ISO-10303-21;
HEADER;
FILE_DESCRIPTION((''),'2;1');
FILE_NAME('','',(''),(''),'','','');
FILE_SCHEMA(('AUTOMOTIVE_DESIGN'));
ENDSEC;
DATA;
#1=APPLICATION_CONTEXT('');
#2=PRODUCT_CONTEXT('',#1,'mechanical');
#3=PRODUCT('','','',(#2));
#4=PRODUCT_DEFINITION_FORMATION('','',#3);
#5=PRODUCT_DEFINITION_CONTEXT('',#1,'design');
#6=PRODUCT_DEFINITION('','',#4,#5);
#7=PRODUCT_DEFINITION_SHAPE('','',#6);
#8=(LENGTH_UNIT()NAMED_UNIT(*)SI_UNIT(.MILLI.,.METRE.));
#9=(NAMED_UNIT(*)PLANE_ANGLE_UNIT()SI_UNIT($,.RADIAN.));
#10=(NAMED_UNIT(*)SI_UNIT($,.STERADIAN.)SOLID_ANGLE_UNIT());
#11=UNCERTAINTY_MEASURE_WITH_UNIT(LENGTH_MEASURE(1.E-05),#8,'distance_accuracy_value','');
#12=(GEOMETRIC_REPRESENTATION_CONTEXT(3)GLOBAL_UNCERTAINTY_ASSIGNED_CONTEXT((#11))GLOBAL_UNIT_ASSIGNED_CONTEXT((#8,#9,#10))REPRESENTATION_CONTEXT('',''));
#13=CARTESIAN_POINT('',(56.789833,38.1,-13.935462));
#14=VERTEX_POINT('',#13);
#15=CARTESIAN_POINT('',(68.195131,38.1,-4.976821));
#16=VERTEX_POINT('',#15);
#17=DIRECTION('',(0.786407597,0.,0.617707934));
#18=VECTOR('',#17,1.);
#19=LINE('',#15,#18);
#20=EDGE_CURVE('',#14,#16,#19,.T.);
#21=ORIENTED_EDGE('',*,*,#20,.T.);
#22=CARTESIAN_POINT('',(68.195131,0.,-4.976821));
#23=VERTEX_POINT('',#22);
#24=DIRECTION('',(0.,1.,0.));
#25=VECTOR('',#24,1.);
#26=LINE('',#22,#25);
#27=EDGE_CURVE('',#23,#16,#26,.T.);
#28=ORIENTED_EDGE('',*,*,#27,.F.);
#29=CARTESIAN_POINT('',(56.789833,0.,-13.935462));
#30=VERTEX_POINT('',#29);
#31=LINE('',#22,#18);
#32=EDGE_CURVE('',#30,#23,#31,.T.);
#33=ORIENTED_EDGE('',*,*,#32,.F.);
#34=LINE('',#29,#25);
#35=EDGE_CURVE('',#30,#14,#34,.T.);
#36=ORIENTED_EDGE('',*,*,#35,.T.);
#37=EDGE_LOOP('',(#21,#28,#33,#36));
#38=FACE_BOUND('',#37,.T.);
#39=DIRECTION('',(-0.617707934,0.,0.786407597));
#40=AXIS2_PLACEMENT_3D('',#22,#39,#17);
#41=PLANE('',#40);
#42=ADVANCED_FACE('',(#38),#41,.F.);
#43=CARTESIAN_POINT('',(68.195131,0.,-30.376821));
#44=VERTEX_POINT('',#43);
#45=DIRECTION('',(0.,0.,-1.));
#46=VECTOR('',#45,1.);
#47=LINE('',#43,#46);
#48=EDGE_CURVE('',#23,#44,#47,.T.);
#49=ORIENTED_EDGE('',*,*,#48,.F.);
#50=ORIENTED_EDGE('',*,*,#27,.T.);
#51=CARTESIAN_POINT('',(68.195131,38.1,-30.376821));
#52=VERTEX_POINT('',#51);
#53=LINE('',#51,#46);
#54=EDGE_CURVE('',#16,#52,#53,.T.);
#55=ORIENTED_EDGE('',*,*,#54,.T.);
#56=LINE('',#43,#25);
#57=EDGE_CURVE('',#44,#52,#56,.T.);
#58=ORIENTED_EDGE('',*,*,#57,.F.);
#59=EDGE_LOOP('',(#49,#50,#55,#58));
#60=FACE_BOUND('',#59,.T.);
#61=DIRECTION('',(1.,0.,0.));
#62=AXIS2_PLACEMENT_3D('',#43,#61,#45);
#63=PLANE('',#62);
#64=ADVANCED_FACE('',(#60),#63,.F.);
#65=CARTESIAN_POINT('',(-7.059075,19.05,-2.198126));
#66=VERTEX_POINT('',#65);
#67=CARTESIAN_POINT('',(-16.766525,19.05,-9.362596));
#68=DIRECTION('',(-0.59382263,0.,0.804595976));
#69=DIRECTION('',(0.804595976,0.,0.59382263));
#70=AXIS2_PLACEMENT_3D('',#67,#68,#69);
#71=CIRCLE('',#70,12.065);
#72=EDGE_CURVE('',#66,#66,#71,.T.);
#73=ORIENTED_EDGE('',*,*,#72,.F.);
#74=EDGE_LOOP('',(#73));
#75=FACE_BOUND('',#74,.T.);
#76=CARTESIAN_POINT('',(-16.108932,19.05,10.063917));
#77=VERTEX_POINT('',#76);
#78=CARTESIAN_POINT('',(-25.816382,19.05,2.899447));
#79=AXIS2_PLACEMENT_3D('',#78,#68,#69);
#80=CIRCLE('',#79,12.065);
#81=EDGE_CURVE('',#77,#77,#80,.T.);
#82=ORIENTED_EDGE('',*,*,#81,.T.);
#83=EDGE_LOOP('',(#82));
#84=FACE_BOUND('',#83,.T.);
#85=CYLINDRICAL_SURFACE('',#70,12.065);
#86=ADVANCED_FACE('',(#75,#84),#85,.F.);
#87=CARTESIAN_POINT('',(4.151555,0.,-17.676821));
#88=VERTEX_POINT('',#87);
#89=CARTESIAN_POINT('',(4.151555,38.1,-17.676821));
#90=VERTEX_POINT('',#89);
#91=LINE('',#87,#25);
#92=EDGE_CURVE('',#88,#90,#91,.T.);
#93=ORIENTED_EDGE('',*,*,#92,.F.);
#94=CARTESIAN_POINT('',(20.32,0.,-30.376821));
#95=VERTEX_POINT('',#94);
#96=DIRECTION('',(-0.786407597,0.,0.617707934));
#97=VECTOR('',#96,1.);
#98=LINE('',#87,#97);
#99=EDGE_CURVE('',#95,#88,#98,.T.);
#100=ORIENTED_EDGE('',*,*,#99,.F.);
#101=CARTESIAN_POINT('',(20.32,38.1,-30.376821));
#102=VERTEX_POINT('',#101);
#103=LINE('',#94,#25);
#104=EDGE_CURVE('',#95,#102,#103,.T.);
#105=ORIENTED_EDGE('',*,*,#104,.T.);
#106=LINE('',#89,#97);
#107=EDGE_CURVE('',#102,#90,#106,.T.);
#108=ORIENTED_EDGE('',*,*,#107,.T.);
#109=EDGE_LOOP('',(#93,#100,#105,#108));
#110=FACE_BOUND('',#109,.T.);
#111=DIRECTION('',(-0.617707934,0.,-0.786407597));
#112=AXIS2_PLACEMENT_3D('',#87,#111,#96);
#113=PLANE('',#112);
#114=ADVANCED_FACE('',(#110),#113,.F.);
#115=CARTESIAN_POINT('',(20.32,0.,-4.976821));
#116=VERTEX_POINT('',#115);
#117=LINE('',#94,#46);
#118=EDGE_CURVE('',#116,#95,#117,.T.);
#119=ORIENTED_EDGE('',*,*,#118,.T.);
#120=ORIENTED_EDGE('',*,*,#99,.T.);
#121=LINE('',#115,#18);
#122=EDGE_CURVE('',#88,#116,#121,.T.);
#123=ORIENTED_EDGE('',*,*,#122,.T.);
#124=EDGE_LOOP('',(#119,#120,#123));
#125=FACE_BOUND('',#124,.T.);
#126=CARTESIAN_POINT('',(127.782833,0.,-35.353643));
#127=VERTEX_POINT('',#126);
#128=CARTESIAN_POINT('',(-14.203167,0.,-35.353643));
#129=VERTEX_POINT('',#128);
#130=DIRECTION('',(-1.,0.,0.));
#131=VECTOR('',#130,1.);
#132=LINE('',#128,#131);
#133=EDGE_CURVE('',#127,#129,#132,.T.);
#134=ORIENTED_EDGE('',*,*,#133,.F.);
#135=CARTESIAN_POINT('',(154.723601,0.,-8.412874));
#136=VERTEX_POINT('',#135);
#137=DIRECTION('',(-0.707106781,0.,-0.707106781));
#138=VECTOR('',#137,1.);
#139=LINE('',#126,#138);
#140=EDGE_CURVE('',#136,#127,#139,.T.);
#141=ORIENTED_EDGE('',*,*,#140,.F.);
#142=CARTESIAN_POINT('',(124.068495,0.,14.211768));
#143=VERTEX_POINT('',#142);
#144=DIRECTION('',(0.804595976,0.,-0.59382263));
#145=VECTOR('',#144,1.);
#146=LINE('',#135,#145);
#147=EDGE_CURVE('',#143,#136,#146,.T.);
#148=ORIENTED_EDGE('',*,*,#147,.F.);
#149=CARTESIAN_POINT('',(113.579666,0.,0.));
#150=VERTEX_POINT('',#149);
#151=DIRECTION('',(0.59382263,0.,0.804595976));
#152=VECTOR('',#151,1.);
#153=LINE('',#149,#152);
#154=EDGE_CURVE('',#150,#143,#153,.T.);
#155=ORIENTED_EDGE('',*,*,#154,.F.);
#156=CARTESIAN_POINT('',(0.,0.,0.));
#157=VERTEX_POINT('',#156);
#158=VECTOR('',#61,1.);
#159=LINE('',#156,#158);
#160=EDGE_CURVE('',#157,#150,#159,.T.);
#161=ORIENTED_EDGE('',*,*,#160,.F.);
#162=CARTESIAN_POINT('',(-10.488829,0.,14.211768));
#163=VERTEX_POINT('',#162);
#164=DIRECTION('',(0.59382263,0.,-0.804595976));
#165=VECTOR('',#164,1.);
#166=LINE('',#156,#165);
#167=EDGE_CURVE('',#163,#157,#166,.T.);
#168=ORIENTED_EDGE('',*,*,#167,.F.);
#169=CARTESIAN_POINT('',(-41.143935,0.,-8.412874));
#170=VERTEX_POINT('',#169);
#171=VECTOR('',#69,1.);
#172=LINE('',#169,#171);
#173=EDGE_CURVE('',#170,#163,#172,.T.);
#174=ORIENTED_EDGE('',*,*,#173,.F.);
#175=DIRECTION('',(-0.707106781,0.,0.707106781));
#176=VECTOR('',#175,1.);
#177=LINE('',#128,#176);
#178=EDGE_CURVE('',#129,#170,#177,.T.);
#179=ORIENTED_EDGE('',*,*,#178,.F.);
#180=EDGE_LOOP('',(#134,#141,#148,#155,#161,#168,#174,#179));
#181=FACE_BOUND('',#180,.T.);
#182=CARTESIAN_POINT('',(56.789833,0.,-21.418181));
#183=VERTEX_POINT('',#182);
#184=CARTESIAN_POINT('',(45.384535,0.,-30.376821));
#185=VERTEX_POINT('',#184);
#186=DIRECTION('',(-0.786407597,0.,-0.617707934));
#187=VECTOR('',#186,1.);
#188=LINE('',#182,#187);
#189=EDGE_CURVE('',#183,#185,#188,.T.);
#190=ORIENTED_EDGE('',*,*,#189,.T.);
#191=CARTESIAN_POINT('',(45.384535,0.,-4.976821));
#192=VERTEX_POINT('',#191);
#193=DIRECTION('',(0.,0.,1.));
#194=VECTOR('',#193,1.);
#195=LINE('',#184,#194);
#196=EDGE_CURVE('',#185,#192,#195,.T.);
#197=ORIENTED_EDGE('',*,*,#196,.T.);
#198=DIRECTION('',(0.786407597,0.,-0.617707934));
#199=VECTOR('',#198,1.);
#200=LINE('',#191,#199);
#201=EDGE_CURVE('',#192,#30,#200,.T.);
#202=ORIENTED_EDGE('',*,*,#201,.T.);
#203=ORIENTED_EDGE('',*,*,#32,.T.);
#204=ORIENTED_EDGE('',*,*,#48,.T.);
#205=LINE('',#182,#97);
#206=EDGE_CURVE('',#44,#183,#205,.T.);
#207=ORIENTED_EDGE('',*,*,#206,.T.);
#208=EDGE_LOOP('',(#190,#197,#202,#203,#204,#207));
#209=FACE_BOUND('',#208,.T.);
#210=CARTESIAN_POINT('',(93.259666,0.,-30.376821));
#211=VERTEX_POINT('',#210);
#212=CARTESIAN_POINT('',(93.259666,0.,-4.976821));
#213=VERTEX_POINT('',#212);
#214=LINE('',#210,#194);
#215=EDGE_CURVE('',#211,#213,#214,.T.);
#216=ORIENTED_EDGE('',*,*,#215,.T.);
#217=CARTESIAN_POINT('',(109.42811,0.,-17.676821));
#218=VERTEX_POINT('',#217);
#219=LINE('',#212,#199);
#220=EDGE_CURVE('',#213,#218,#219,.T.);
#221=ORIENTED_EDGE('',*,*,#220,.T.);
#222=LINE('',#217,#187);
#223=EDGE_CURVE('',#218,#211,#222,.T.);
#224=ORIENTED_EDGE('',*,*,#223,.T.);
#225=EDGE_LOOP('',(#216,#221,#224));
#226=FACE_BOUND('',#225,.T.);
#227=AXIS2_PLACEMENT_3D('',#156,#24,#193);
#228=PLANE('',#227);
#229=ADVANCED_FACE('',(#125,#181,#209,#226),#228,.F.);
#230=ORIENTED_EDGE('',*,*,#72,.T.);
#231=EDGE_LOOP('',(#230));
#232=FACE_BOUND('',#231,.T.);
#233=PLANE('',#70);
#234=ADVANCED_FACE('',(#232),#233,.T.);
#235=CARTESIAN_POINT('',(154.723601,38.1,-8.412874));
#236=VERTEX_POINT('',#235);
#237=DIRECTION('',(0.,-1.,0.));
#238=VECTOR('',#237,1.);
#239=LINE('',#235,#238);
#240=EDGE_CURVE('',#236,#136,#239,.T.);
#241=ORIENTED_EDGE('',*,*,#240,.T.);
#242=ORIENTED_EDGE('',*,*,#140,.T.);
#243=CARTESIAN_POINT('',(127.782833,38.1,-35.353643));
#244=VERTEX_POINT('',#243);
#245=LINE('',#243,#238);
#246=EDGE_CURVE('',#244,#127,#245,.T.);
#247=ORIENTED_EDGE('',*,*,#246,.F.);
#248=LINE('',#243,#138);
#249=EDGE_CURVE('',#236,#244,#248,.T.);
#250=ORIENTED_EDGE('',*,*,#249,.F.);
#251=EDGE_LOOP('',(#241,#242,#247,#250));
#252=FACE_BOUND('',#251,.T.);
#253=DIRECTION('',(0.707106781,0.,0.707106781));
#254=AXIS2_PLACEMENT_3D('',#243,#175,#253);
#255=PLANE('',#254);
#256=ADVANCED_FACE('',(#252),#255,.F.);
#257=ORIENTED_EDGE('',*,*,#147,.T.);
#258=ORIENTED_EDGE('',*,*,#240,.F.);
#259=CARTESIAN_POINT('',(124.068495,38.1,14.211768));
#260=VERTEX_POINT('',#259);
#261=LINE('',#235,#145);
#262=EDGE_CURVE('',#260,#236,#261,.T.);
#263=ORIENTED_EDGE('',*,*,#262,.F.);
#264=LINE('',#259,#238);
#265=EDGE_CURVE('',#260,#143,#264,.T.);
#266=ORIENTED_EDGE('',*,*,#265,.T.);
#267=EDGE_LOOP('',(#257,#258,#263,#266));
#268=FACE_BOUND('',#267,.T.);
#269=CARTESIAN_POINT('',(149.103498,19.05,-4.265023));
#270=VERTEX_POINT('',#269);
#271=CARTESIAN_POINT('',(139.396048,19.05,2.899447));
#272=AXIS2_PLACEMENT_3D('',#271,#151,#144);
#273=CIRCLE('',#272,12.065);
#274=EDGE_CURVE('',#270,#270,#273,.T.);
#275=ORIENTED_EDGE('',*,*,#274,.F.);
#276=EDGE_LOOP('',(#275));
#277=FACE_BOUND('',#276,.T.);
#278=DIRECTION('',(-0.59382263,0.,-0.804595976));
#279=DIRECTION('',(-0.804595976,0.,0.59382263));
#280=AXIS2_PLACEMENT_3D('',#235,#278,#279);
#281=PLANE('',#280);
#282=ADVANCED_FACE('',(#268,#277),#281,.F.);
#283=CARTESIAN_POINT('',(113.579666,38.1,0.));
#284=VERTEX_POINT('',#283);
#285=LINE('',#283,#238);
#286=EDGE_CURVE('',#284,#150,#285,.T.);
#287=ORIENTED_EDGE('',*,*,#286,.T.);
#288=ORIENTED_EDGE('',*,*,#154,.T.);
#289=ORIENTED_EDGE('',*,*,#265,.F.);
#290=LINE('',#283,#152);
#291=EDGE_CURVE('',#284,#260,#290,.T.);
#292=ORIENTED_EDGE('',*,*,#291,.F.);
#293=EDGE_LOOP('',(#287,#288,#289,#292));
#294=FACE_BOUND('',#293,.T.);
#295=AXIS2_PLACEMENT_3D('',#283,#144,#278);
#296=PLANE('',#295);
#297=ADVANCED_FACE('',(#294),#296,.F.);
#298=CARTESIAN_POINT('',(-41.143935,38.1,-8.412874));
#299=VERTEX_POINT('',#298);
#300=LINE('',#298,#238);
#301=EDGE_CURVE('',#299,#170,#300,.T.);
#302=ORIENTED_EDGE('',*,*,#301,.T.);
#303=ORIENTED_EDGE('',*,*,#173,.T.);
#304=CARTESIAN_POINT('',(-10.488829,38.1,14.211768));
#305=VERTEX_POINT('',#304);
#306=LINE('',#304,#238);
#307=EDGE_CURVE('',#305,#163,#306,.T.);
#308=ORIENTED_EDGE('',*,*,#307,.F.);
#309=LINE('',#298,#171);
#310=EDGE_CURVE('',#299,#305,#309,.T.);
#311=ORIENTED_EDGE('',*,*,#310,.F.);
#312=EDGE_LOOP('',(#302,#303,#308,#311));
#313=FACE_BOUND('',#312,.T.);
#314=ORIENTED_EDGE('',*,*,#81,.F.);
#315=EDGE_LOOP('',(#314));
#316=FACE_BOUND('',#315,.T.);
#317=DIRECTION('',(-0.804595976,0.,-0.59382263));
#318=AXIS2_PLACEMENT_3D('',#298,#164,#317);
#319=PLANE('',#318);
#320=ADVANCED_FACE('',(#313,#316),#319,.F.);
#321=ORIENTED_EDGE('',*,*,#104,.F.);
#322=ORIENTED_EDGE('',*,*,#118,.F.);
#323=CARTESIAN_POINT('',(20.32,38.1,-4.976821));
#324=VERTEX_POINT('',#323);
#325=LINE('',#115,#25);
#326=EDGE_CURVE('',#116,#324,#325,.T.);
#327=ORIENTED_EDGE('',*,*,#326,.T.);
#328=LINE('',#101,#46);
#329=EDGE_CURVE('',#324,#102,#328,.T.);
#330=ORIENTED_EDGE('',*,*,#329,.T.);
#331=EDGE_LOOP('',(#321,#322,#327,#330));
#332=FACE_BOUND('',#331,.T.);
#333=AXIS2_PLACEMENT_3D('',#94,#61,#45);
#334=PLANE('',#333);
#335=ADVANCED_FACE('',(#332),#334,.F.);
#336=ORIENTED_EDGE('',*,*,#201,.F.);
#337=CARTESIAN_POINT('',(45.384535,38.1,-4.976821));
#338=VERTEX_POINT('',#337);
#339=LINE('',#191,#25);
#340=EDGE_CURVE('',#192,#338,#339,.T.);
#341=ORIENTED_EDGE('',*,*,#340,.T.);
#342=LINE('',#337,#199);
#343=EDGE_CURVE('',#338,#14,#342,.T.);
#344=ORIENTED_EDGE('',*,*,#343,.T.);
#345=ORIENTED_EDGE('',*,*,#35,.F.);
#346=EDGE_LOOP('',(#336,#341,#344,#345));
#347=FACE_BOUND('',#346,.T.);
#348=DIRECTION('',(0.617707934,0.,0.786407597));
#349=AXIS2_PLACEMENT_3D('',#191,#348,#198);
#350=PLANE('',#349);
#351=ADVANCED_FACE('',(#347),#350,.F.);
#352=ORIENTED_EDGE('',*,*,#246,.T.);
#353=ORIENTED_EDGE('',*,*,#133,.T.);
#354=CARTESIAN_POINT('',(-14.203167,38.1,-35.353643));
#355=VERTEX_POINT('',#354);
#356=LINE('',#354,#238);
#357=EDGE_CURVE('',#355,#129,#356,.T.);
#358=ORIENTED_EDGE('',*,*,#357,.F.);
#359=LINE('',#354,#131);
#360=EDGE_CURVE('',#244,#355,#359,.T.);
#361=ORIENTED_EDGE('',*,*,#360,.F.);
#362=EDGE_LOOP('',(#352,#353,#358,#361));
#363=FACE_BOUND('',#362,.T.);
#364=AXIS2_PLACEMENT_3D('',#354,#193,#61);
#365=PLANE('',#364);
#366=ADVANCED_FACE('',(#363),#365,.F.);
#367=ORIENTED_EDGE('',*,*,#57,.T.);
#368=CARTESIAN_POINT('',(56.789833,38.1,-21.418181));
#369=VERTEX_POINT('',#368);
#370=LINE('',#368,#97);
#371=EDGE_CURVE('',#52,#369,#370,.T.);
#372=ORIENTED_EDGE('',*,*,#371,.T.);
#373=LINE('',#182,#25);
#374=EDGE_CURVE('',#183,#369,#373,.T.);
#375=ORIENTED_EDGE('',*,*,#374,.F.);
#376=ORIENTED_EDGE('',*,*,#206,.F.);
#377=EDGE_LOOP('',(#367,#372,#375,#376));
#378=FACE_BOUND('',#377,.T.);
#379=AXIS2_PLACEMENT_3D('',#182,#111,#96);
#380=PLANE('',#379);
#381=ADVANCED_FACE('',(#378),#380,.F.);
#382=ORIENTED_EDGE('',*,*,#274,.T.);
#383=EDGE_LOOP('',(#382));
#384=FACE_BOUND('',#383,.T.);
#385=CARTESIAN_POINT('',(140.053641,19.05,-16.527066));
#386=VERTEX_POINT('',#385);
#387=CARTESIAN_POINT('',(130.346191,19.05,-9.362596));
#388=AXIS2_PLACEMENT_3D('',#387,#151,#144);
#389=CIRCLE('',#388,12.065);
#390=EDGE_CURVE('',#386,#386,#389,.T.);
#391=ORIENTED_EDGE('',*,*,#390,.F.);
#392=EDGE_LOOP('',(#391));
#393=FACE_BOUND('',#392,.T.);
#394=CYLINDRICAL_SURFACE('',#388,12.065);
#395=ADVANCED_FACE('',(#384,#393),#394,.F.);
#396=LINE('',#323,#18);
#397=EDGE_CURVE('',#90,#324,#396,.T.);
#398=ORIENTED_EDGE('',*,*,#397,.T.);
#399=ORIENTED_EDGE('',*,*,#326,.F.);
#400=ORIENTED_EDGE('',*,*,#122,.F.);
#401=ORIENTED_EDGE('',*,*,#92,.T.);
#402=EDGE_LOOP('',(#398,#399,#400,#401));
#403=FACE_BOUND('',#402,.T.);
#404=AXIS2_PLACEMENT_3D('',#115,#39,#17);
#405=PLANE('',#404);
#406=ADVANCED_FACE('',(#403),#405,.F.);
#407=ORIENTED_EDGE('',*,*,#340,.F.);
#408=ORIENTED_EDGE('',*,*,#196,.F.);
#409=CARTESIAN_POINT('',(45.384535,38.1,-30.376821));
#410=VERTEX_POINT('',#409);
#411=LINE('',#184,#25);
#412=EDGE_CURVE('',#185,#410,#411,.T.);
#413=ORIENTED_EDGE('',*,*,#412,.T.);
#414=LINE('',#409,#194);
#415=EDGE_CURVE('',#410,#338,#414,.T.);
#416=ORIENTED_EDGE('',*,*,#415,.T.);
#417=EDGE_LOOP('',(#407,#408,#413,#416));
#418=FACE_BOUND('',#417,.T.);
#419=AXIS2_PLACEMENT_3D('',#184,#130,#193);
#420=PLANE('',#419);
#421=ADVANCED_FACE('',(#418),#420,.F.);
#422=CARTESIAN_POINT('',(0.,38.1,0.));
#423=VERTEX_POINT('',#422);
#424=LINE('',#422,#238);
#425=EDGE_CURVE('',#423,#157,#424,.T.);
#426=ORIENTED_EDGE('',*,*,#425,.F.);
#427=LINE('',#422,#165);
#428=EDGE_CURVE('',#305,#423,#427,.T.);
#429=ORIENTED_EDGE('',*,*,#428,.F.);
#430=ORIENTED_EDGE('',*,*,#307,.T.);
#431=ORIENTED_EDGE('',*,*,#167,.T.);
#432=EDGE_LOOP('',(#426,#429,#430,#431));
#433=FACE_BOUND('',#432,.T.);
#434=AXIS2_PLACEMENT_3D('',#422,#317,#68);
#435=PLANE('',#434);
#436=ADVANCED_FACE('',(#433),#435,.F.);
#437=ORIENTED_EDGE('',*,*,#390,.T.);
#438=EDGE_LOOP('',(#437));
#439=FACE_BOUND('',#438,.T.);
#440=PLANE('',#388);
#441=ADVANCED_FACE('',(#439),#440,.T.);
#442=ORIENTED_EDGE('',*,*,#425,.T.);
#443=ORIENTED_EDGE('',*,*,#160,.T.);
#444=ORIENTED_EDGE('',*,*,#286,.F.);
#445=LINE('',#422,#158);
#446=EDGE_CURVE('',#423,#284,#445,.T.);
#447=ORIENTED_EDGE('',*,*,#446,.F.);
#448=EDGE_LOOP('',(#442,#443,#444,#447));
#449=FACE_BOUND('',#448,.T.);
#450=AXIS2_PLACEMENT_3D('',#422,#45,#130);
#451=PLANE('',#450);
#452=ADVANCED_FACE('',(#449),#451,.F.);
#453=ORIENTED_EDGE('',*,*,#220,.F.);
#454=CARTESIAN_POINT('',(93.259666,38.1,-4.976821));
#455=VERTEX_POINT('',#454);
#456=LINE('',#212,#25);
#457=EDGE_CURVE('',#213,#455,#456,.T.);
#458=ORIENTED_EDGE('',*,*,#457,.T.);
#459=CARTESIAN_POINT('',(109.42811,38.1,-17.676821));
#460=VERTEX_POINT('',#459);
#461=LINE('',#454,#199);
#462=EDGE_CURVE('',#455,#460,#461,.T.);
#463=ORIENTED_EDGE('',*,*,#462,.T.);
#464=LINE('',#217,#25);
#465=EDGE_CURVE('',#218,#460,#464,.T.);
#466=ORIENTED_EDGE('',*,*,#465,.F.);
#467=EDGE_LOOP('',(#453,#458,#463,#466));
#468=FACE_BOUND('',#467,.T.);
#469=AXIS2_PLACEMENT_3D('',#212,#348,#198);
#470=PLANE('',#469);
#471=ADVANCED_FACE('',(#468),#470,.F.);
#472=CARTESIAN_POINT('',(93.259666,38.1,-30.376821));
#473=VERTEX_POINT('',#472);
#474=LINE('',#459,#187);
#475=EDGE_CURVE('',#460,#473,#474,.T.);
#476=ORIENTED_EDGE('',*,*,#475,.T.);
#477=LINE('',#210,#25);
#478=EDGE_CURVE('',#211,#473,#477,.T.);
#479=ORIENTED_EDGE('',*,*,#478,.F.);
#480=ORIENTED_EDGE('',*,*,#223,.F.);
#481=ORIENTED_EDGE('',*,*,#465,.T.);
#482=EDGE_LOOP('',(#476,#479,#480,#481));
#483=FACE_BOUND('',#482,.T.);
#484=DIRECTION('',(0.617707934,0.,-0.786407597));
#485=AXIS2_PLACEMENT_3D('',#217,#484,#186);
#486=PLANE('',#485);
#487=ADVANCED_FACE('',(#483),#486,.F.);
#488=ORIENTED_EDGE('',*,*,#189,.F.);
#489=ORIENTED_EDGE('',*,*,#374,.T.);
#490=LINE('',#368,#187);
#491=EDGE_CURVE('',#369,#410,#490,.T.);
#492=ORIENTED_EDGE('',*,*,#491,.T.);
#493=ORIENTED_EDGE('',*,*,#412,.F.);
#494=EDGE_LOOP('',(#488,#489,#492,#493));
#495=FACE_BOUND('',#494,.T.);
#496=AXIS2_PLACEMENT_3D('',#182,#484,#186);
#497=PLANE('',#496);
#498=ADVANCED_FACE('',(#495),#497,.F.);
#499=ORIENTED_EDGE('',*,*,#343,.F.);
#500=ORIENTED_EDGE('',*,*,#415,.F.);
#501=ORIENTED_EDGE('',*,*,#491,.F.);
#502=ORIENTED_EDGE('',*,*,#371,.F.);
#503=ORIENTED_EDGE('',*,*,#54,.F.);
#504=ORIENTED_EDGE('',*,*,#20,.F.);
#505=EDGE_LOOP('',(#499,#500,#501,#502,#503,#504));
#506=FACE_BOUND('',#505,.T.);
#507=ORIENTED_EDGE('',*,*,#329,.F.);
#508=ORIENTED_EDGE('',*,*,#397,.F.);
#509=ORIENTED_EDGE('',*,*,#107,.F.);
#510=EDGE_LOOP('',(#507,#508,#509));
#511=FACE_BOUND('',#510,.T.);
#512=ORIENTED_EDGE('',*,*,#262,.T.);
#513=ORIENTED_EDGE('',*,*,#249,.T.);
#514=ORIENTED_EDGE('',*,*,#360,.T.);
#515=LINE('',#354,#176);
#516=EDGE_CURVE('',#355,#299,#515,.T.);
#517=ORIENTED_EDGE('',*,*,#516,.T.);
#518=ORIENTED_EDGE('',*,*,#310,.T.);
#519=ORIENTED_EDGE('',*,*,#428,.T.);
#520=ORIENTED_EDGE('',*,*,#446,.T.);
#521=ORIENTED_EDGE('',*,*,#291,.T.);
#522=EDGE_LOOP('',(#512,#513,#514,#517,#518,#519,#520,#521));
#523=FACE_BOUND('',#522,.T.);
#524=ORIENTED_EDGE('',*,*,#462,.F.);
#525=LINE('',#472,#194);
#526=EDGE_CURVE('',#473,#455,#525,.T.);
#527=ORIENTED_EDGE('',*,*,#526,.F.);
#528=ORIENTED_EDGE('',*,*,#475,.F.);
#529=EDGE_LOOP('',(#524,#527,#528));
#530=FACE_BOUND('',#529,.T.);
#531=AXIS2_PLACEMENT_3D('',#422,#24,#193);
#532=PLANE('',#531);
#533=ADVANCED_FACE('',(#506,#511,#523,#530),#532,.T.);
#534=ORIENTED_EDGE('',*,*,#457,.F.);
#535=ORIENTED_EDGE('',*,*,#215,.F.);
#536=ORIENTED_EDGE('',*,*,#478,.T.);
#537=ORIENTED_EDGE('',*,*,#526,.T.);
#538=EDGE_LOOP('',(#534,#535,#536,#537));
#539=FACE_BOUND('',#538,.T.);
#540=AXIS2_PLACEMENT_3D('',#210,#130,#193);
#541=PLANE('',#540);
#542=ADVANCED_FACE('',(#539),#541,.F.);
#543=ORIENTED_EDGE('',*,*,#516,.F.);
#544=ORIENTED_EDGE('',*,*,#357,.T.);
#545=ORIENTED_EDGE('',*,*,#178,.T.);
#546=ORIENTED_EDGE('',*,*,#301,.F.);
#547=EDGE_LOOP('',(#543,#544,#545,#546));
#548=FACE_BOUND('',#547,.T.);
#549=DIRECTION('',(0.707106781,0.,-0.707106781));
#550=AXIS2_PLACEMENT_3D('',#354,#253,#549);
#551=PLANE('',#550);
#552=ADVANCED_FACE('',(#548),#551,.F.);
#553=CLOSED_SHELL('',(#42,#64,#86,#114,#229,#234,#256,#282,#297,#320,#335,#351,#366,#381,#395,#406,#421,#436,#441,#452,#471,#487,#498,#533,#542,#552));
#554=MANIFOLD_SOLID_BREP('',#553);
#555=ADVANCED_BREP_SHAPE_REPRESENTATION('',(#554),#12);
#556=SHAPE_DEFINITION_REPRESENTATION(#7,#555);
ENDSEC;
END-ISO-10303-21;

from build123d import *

# Parameters (mm, degrees)
BOSS_EXTRUDE1_DEPTH = 38.1
SKETCH2_R           = 12.065
CUT_EXTRUDE1_DEPTH  = 15.24
SKETCH3_R           = 12.065
CUT_EXTRUDE2_DEPTH  = 15.24
CUT_EXTRUDE3_DEPTH  = 38.1


with BuildPart() as part:
    # Sketch1 → Boss-Extrude1 (new body)
    with BuildSketch(Plane(origin=(0, 0, 0), x_dir=(1, 0, 0), z_dir=(0, 1, 0))):
        Polygon((0, 0), (113.579665808, 0), (124.068494586, -14.211767965), (154.723601267, 8.412874228), (127.782832904, 35.353642591), (-14.203167096, 35.353642591), (-41.143935459, 8.412874228), (-10.488828778, -14.211767965), align=None)
    extrude(amount=BOSS_EXTRUDE1_DEPTH)

    # Sketch2 → Cut-Extrude1 (cut)
    with BuildSketch(Plane(origin=(-10.488828778, 0, 14.211767965), x_dir=(0.8045959758833214, 0, 0.5938226297408727), z_dir=(-0.5938226297408727, 0, 0.8045959758833214))):
        with Locations((-19.05, 19.05)):
            Circle(SKETCH2_R)
    extrude(amount=-CUT_EXTRUDE1_DEPTH, mode=Mode.SUBTRACT)

    # Sketch3 → Cut-Extrude2 (cut)
    with BuildSketch(Plane(origin=(50.539894278, 0, 68.478689631), x_dir=(0.8045959758833213, 0, -0.5938226297408729), z_dir=(0.5938226297408729, 0, 0.8045959758833213))):
        with Locations((110.435742051, 19.05)):
            Circle(SKETCH3_R)
    extrude(amount=-CUT_EXTRUDE2_DEPTH, mode=Mode.SUBTRACT)

    # Sketch5 → Cut-Extrude3 (cut)
    with BuildSketch(Plane(origin=(0, 38.1, 0), x_dir=(1, 0, 0), z_dir=(0, 1, 0))):
        Polygon((4.151555437, 17.676821295), (20.32, 30.376821295), (20.32, 4.976821295), align=None)
        Polygon((45.384535252, 30.376821295), (45.384535252, 4.976821295), (56.789832904, 13.935461665), (68.195130556, 4.976821295), (68.195130556, 30.376821295), (56.789832904, 21.418180926), align=None)
        Polygon((93.259665808, 30.376821295), (93.259665808, 4.976821295), (109.428110371, 17.676821295), align=None)
    extrude(amount=-CUT_EXTRUDE3_DEPTH, mode=Mode.SUBTRACT)


solid = part.part
